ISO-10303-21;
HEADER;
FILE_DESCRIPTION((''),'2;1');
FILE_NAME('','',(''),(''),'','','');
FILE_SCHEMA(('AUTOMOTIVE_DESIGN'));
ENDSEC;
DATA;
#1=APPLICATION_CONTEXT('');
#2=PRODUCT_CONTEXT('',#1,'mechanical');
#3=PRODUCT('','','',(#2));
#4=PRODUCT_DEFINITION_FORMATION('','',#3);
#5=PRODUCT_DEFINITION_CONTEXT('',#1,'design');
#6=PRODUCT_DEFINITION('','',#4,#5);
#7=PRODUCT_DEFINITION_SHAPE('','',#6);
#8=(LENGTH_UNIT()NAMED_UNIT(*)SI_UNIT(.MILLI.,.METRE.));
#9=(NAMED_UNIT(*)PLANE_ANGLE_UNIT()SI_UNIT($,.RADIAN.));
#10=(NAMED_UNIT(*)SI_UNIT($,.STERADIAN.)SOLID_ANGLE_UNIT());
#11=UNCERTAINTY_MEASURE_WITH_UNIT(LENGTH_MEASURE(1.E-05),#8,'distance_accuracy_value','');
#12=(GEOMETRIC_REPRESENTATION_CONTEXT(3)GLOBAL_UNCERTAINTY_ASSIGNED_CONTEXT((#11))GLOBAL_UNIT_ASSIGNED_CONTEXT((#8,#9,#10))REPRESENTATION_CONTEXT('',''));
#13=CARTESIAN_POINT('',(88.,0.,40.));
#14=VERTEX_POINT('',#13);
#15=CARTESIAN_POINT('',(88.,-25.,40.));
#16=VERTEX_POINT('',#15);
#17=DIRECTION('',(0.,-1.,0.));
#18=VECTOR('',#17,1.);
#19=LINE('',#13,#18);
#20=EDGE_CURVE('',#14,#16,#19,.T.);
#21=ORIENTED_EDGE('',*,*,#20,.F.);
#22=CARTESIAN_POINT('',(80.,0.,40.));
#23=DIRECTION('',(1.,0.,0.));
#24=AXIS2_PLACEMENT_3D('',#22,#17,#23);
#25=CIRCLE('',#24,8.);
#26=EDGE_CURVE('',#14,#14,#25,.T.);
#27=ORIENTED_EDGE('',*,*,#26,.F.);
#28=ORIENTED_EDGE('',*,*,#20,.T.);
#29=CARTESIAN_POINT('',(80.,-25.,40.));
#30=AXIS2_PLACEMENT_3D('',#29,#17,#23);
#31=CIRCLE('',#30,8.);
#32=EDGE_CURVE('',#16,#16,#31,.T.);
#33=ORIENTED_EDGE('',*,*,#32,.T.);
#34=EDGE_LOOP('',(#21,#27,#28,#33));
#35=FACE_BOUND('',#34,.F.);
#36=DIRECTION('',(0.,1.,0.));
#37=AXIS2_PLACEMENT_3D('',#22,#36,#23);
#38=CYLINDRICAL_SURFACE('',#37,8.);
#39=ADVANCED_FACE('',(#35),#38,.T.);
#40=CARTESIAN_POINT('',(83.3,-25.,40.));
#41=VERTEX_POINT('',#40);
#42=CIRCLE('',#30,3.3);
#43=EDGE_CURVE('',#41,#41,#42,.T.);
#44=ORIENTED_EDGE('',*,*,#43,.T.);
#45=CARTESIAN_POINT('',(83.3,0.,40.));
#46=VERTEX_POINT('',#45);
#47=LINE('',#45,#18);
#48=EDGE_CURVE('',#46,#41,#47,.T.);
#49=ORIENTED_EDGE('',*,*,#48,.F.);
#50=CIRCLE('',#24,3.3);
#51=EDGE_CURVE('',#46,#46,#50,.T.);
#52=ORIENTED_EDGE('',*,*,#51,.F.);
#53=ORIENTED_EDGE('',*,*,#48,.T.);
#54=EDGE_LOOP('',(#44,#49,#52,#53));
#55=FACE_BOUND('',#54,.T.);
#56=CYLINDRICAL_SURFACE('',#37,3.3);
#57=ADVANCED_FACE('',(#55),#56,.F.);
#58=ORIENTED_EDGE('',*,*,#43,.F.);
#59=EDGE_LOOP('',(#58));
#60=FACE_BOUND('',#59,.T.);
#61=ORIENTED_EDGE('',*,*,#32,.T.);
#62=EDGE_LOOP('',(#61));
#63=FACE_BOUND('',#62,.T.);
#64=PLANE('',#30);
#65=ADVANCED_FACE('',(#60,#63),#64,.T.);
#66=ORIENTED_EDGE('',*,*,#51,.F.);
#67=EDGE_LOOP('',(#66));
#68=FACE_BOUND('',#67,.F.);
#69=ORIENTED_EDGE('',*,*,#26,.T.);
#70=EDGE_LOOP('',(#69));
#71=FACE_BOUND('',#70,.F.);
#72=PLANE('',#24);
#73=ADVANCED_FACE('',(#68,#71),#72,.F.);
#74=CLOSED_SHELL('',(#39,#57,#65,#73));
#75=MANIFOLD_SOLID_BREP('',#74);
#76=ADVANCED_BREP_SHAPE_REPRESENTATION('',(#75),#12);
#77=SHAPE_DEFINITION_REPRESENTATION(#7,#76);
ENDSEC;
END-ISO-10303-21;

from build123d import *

# Parameters (mm, degrees)
CYLINDER011_R     = 3.3
CYLINDER011_DEPTH = 25
CYLINDER009_R     = 8
CYLINDER009_DEPTH = 25


with BuildPart() as zylinder011:
    # Cylinder011 → Cylinder011 (new body)
    with BuildSketch(Plane(origin=(80, 0, 40), x_dir=(1, 0, 0), z_dir=(0, -1, 0))):
        Circle(CYLINDER011_R)
    extrude(amount=CYLINDER011_DEPTH)


with BuildPart() as spacer01:
    # Cylinder009 → Cylinder009 (new body)
    with BuildSketch(Plane(origin=(80, 0, 40), x_dir=(1, 0, 0), z_dir=(0, -1, 0))):
        Circle(CYLINDER009_R)
    extrude(amount=CYLINDER009_DEPTH)

    # Cut006: cut Zylinder011
    add(zylinder011.part, mode=Mode.SUBTRACT)


solid = spacer01.part
